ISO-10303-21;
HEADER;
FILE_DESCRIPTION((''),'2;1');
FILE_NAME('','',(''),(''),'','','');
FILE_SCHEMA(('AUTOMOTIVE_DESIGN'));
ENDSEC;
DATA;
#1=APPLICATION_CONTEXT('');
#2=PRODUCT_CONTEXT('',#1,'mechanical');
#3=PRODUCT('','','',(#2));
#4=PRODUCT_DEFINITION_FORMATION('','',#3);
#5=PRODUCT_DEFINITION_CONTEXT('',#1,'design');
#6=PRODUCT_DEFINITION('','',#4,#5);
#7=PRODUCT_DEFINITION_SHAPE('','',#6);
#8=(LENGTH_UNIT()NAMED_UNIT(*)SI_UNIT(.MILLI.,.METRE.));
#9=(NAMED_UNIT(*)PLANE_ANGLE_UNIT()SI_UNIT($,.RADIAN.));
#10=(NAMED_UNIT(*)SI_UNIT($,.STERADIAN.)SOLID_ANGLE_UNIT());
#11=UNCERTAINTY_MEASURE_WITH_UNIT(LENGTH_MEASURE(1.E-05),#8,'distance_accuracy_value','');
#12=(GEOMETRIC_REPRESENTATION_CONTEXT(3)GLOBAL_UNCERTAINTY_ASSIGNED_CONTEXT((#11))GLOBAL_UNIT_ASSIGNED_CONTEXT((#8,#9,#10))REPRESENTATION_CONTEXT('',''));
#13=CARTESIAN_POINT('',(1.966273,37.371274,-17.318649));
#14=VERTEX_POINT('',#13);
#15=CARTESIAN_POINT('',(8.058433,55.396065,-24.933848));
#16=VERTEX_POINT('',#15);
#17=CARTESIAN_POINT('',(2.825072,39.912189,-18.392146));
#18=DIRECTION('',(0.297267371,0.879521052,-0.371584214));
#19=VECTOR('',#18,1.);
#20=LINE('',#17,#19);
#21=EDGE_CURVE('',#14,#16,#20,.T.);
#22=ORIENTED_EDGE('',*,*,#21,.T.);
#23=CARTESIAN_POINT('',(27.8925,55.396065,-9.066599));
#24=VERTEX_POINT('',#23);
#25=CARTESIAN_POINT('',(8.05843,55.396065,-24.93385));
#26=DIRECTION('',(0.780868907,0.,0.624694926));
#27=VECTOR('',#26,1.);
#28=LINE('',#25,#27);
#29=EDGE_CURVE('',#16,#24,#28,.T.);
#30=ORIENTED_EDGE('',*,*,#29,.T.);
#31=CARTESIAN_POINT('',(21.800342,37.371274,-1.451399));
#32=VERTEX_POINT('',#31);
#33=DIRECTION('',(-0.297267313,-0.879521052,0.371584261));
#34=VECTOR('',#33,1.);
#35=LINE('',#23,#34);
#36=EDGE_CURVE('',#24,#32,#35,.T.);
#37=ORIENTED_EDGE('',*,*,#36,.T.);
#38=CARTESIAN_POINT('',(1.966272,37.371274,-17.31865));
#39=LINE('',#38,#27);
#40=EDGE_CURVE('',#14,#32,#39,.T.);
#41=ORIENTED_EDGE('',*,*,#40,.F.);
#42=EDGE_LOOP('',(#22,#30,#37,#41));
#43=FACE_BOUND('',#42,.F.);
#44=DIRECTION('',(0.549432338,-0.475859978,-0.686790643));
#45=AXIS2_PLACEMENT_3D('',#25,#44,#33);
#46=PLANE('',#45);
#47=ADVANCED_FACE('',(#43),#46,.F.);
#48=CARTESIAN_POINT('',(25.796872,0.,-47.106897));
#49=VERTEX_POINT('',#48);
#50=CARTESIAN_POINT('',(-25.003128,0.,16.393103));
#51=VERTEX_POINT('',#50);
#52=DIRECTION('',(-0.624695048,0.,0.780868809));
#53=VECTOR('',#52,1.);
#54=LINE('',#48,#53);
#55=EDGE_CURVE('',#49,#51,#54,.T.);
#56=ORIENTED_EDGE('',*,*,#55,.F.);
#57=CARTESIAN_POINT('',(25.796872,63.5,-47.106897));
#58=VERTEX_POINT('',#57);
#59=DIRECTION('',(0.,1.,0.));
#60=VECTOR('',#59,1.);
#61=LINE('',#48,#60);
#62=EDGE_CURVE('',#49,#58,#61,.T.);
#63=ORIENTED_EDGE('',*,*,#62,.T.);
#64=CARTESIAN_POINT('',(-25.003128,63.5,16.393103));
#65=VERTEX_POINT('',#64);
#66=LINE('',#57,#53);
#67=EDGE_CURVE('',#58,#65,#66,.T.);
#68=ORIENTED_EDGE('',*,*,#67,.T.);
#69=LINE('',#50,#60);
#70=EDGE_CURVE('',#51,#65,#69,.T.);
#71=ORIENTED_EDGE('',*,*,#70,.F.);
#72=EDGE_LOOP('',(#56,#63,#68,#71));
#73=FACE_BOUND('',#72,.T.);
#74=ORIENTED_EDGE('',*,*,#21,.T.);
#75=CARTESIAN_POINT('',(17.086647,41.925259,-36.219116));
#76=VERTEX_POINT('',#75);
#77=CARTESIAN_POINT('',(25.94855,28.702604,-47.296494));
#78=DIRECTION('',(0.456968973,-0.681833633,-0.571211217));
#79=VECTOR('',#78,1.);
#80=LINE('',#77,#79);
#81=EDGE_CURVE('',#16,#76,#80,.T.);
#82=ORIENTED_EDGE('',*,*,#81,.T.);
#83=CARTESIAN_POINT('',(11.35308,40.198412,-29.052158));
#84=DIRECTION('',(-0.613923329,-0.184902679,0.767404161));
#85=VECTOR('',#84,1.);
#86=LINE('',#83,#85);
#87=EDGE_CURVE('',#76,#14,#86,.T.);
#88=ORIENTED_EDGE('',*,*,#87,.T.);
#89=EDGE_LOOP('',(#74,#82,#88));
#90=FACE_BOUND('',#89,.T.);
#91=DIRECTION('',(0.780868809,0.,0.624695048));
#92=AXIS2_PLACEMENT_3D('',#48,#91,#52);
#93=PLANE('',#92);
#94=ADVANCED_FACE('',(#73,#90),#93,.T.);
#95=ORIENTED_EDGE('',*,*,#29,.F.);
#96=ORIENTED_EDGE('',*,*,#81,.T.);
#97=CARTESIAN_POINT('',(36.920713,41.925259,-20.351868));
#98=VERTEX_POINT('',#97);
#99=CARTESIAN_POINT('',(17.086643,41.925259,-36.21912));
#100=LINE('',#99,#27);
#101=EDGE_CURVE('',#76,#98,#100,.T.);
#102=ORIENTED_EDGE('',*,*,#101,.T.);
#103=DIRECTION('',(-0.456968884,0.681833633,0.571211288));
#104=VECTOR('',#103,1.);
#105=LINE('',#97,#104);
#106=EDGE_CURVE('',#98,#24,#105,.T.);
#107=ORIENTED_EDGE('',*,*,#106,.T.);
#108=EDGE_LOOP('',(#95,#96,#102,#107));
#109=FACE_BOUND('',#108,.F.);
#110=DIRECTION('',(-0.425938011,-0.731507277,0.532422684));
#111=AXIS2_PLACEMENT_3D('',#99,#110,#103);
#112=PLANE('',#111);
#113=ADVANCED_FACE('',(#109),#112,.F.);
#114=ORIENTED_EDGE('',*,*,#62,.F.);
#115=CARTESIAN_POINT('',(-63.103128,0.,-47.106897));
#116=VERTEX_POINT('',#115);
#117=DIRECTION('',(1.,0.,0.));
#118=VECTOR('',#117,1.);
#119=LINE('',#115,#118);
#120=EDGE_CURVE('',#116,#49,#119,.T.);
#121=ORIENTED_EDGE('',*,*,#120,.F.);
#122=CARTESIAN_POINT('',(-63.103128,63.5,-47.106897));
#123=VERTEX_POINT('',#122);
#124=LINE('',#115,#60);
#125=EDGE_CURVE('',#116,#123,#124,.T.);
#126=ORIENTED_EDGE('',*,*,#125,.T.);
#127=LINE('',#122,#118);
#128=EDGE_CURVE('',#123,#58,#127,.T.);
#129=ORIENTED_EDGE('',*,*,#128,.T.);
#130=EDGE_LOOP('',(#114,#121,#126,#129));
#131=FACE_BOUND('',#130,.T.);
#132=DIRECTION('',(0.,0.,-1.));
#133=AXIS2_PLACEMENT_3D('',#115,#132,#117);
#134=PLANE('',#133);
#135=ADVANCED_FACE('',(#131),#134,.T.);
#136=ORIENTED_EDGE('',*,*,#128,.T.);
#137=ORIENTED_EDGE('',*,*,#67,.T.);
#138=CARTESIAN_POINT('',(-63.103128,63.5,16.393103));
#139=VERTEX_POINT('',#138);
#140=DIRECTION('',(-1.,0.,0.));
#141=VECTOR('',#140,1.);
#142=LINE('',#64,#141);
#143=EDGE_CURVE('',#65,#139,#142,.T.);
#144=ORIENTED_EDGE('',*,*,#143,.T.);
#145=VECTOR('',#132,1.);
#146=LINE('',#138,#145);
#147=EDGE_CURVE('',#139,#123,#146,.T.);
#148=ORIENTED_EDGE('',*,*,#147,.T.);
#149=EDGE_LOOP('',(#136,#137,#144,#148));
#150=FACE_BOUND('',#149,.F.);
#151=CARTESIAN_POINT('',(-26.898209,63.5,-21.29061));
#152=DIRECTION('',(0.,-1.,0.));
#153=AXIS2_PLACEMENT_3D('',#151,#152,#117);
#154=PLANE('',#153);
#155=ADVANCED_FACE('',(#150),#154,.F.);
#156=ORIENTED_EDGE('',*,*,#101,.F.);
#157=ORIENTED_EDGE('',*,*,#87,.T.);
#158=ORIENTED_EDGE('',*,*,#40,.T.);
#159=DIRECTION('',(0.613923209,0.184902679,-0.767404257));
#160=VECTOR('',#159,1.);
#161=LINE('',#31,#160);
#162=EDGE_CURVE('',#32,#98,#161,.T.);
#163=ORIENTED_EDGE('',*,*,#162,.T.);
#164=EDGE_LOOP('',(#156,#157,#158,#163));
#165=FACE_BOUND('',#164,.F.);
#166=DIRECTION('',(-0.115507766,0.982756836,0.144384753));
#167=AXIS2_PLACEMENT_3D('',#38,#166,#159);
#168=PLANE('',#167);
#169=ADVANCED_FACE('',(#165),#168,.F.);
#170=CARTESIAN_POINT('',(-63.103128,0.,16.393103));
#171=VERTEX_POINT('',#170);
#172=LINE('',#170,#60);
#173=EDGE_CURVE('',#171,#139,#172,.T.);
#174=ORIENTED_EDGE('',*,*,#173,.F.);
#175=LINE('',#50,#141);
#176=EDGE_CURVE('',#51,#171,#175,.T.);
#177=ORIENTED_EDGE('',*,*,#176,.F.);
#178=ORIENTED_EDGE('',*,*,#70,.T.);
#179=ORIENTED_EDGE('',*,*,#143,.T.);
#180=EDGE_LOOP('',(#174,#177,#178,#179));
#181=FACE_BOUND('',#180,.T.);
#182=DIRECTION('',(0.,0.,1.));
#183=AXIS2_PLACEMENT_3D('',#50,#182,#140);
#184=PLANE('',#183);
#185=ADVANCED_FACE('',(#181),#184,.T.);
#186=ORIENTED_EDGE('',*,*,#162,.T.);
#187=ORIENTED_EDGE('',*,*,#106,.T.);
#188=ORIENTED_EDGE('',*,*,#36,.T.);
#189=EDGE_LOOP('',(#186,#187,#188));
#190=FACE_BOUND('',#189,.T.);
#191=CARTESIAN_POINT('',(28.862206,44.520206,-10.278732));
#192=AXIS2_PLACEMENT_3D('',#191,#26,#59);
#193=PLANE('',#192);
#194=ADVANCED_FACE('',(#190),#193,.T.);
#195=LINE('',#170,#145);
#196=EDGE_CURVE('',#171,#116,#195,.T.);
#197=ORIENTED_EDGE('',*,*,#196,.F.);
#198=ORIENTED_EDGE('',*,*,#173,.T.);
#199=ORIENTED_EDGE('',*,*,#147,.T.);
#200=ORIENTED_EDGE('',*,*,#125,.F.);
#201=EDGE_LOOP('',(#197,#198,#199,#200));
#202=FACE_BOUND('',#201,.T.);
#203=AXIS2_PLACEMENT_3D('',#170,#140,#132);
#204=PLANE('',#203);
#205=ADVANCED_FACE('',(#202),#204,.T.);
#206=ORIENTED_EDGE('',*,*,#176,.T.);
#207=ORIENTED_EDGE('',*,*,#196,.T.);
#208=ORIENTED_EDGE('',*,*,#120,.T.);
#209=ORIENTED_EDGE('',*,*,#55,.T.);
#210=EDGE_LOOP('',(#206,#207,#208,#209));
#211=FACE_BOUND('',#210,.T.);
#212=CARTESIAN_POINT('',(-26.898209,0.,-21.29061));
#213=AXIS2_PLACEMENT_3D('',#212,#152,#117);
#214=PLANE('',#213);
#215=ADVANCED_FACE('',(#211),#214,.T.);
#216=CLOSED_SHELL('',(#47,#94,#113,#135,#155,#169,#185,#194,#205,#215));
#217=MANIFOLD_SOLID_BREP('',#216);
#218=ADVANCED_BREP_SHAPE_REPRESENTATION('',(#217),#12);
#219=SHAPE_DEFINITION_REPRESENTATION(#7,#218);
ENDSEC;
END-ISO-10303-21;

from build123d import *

# Parameters (mm, degrees)
F1_DEPTH = 63.5
F3_DEPTH = 25.4


with BuildPart() as f1:
    # F0 (on Front) → F1 (new body)
    with BuildSketch(Plane.XZ):
        Polygon((-63.103128, 16.393103), (-63.103128, -47.106897), (25.796872, -47.106897), (-25.003128, 16.393103), align=None)
    extrude(amount=-F1_DEPTH)

    # F2 (on face) → F3 (join)
    with BuildSketch(Plane(origin=(-7.249174, 0, -5.799339), x_dir=(0, 1, 0), z_dir=(0.780869, 0, 0.624695))):
        Polygon((55.396065, -24.504127), (37.371274, -14.751914), (41.925259, -38.956322), align=None)
    extrude(amount=F3_DEPTH)


solid = f1.part
